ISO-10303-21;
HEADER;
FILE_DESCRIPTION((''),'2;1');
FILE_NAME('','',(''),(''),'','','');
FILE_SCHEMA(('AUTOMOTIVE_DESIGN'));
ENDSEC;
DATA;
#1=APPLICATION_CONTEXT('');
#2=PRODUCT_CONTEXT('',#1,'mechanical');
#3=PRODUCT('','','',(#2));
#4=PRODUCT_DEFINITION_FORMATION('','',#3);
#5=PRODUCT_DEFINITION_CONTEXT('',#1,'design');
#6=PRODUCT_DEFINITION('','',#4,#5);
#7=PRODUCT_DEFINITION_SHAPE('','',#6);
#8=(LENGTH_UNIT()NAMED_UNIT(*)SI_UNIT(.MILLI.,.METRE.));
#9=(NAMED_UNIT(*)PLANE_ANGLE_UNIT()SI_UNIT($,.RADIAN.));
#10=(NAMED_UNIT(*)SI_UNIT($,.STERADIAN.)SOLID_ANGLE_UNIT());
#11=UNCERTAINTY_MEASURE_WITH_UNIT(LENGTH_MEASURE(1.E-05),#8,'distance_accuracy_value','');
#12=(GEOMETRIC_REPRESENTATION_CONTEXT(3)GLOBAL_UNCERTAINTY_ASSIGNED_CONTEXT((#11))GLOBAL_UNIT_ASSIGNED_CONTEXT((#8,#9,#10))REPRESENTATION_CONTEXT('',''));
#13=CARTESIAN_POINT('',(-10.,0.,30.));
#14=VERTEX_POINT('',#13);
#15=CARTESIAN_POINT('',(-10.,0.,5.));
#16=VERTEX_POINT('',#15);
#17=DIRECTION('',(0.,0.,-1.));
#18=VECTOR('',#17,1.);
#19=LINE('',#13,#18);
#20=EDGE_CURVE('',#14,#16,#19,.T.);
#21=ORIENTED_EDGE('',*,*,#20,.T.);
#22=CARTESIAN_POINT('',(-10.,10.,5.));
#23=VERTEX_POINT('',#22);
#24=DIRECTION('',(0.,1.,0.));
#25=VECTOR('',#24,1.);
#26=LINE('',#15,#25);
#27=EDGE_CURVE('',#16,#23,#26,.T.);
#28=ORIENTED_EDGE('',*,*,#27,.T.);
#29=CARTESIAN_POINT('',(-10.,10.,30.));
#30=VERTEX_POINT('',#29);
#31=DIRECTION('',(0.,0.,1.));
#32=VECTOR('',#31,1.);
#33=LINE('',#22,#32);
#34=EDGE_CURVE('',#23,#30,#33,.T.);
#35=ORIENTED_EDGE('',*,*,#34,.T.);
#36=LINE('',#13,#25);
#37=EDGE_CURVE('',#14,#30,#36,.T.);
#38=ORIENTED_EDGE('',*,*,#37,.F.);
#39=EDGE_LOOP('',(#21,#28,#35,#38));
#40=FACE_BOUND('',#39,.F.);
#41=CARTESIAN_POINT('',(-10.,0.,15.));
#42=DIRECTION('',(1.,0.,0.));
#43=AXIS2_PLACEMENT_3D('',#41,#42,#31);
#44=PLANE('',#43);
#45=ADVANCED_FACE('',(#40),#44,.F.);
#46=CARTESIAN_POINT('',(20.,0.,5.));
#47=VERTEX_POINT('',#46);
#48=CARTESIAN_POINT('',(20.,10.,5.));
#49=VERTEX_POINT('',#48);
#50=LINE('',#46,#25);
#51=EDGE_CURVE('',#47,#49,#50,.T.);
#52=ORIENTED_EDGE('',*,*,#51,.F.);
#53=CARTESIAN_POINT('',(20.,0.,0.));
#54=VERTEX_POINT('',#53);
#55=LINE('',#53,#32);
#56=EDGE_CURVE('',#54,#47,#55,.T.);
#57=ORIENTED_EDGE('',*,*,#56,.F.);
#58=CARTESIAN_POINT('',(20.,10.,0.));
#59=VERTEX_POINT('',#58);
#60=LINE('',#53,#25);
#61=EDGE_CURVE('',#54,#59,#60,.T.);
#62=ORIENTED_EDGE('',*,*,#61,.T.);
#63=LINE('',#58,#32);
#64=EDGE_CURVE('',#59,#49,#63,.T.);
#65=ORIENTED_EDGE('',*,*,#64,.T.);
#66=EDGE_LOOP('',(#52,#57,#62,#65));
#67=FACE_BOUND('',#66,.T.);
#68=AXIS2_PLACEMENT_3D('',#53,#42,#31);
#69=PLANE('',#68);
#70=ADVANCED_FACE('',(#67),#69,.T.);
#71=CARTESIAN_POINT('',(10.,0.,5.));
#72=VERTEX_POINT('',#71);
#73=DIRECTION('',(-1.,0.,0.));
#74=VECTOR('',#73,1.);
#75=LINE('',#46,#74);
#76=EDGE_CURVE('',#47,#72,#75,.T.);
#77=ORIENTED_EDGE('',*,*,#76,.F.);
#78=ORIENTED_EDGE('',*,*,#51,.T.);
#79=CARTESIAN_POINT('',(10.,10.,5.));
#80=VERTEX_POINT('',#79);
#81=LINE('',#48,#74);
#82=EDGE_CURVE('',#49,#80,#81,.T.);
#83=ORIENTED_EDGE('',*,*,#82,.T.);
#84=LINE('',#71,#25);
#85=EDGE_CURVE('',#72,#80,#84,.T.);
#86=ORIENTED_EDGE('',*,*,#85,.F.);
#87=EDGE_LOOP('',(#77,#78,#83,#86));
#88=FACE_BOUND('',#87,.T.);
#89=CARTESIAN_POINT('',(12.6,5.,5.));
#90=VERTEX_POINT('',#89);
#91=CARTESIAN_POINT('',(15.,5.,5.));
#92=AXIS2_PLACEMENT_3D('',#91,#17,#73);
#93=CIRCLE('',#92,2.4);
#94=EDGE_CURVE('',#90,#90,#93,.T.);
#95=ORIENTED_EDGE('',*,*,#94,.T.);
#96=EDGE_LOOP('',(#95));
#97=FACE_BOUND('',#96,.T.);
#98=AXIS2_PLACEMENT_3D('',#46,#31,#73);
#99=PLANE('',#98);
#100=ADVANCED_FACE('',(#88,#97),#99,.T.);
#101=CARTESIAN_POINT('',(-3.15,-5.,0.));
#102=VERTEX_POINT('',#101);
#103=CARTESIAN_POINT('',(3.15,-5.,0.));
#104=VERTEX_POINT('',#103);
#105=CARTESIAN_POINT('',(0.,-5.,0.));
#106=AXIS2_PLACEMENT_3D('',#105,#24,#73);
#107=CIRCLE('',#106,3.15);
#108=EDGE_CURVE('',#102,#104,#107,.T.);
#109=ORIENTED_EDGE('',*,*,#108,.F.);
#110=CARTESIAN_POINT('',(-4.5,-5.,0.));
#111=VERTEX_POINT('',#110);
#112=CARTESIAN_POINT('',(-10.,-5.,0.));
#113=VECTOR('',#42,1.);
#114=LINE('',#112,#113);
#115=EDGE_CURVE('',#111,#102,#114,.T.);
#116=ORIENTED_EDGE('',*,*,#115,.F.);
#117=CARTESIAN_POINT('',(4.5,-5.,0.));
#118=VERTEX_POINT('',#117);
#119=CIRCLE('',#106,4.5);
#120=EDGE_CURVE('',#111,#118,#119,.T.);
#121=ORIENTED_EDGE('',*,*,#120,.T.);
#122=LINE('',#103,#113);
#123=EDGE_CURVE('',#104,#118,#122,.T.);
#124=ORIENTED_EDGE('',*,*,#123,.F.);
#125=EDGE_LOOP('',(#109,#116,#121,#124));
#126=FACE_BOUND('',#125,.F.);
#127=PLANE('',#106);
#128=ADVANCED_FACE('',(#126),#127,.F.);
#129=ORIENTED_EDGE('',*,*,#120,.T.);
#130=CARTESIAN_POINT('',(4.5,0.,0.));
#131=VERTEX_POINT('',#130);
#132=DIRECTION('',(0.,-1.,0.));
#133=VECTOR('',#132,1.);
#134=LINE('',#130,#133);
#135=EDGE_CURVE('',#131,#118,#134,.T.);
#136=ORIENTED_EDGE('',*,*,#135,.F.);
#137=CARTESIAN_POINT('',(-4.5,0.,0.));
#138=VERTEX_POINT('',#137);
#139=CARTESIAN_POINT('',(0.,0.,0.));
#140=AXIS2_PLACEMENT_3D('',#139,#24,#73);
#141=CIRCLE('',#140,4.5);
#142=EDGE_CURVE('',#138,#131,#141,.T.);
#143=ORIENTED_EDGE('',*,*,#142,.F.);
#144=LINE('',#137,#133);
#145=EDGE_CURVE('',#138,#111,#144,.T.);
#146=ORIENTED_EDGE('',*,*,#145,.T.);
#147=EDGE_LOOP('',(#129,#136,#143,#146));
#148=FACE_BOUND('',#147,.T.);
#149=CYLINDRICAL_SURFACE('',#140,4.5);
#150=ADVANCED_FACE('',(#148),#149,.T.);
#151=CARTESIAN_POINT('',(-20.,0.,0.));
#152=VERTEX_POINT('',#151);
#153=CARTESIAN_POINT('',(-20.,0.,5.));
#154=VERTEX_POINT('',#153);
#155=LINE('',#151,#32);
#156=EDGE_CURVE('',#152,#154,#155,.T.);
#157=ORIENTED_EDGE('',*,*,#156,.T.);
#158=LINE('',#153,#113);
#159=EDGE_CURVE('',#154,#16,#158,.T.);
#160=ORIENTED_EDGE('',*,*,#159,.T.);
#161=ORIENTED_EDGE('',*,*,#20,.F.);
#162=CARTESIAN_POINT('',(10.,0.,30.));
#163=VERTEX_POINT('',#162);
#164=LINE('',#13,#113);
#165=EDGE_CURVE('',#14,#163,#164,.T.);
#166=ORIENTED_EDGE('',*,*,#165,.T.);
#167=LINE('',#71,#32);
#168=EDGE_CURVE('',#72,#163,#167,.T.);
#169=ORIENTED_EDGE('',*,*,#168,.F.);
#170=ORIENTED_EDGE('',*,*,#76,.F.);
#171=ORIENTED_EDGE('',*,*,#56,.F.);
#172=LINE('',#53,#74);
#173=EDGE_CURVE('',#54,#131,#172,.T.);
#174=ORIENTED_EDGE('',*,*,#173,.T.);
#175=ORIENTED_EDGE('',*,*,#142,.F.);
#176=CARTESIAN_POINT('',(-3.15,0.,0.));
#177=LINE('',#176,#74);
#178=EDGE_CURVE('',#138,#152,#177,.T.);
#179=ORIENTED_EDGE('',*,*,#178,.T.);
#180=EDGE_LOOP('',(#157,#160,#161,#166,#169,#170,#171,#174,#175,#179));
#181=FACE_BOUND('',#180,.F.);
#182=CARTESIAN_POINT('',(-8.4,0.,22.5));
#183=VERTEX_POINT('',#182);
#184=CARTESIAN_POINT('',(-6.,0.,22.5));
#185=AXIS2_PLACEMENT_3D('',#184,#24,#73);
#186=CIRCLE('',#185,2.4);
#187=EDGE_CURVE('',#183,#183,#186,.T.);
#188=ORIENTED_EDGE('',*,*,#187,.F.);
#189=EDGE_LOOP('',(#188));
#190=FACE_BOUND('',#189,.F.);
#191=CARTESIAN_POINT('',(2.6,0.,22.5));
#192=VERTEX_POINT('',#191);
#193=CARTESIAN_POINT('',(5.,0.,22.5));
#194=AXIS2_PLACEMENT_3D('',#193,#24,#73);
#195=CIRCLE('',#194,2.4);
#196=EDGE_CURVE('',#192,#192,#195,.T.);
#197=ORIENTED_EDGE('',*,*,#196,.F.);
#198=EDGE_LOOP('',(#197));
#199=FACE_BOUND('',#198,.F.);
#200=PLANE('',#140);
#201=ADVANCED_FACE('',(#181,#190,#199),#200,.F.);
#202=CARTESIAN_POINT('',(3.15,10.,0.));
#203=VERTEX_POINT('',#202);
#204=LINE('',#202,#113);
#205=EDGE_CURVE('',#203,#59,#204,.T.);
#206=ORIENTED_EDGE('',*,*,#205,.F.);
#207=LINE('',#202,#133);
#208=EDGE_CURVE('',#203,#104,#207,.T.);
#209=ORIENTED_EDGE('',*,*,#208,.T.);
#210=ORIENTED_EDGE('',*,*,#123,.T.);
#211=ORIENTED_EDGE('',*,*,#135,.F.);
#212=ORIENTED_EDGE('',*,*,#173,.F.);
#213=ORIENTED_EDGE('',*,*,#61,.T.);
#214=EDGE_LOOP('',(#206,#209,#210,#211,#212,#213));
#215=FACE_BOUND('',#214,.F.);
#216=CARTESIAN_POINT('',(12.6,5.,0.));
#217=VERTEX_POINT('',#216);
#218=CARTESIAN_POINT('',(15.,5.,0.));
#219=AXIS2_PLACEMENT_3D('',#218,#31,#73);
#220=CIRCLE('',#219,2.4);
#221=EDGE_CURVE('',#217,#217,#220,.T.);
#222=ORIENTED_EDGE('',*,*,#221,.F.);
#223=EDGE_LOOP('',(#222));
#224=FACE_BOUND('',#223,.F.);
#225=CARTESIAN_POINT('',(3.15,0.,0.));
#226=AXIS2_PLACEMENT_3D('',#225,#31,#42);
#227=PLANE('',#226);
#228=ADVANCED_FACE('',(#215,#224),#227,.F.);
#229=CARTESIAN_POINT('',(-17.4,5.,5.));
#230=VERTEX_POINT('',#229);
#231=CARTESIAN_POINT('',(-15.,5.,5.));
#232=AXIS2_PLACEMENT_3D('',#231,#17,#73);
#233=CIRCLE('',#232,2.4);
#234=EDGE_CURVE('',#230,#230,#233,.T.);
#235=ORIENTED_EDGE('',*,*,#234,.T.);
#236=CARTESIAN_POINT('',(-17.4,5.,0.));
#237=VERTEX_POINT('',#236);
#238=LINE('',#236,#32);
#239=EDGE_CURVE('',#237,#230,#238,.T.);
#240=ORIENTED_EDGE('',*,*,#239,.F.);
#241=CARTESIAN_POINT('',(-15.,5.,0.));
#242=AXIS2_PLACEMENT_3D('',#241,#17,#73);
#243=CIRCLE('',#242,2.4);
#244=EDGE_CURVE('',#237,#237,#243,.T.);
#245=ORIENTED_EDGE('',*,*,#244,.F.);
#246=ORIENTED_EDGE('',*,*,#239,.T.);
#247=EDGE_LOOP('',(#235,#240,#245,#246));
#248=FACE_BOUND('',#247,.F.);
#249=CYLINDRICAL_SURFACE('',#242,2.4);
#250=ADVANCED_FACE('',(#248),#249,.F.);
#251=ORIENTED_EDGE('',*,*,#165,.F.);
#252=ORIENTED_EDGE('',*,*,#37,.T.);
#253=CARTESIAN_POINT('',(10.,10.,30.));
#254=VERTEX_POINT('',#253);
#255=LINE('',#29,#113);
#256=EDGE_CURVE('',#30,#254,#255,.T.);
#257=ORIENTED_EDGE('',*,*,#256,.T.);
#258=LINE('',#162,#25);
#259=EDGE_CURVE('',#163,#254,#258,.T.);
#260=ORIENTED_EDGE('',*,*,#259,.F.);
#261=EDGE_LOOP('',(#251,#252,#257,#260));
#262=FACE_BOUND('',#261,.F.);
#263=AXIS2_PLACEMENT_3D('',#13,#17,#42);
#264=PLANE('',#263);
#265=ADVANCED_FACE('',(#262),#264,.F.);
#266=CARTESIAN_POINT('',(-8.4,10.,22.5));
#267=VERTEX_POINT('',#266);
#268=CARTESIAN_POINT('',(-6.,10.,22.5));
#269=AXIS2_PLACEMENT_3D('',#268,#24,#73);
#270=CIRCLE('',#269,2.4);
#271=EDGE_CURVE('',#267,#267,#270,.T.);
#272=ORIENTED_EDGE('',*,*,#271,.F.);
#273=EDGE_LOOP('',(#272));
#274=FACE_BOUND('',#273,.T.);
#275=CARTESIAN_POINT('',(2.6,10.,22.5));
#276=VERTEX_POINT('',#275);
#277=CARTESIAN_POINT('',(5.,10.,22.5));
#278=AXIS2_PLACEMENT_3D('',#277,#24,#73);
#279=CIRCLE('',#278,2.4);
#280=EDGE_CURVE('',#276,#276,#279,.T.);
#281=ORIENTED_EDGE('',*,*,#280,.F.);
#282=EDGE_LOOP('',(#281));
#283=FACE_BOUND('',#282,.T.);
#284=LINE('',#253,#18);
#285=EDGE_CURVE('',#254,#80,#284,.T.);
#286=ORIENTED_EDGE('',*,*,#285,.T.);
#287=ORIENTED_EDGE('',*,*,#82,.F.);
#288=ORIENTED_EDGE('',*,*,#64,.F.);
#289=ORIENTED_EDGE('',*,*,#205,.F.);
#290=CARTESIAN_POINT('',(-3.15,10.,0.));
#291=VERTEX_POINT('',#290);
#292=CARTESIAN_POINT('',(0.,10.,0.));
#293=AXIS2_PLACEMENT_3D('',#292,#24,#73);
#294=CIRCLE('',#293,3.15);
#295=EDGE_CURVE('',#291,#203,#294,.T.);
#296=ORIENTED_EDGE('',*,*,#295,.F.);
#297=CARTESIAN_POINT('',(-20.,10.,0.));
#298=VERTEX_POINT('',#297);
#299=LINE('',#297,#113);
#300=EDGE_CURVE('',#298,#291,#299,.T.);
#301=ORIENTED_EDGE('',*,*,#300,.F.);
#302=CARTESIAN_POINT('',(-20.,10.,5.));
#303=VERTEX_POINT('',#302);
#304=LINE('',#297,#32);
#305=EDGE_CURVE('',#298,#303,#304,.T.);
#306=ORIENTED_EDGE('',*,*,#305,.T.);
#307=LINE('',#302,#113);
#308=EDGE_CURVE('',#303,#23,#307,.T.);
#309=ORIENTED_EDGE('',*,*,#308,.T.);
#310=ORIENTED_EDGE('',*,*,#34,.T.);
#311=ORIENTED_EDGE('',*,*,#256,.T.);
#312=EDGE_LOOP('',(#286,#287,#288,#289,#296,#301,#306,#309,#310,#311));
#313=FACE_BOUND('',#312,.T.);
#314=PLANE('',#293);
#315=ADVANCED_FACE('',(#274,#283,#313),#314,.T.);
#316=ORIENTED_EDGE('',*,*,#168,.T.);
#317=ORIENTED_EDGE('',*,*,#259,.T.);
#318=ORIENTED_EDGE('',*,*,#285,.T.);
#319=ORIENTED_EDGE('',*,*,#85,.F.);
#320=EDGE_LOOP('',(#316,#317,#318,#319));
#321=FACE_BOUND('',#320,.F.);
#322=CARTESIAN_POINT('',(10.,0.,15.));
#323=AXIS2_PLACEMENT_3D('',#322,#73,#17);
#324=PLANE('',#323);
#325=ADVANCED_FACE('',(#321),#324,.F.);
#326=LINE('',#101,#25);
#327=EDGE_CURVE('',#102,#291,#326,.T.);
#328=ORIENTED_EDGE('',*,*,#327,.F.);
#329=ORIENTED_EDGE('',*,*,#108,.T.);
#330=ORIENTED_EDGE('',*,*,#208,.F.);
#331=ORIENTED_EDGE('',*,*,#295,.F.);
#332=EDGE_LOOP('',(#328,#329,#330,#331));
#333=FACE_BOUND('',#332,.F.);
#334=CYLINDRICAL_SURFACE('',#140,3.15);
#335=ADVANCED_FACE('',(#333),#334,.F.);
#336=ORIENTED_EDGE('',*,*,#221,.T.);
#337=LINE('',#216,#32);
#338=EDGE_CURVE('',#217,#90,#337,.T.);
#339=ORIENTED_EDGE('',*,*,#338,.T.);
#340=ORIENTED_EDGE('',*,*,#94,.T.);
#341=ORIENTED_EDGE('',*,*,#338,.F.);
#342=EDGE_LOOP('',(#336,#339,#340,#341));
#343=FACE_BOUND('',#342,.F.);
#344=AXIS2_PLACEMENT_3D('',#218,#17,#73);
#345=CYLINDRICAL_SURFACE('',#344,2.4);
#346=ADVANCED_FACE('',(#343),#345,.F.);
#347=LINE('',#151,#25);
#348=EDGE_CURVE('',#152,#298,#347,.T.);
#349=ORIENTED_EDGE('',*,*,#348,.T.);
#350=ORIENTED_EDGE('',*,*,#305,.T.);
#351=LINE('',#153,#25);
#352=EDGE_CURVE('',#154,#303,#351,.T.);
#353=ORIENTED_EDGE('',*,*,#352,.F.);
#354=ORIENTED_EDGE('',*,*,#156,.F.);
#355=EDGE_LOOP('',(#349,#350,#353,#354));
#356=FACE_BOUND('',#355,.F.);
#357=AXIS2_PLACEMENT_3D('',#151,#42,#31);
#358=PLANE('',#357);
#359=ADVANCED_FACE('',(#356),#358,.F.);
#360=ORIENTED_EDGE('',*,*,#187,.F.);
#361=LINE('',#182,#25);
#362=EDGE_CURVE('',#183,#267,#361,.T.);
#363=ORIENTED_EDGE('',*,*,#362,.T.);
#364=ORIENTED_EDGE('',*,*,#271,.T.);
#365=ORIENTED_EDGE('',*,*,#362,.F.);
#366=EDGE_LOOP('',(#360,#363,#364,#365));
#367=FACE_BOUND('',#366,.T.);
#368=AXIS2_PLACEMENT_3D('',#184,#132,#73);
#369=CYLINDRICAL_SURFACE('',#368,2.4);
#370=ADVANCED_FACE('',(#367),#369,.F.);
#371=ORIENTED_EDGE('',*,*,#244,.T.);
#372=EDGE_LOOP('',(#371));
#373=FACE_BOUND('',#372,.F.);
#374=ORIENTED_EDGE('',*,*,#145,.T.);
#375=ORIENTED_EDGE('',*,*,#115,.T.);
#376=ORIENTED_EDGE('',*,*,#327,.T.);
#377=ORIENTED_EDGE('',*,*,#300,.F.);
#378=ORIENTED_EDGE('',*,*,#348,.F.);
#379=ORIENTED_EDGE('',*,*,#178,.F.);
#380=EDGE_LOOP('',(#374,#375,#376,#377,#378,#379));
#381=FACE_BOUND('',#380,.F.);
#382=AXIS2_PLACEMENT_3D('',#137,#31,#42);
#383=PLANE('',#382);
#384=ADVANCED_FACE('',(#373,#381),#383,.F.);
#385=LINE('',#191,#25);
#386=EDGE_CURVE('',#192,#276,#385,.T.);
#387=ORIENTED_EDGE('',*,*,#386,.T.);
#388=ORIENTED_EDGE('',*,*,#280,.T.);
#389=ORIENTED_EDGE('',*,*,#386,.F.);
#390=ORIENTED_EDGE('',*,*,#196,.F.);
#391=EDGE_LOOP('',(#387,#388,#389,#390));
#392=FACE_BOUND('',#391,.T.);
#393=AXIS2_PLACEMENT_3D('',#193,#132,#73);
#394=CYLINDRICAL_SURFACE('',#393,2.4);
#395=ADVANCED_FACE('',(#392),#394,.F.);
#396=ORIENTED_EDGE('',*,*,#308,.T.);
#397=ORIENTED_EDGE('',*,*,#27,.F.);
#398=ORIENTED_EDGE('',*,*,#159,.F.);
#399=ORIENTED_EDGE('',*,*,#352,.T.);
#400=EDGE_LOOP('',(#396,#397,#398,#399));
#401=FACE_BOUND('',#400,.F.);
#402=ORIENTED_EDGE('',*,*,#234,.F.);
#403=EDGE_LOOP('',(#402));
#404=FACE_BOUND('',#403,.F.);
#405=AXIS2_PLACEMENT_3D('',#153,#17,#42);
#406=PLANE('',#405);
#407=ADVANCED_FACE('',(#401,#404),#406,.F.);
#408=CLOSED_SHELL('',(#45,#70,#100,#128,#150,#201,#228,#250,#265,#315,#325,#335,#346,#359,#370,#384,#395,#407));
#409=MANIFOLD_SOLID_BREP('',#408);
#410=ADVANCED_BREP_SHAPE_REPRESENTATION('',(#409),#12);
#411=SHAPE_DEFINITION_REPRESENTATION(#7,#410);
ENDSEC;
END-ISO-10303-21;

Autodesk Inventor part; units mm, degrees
ref_plane "YZ Plane" through (0, 0, 0) normal (1, 0, 0) x (0, 1, 0)
ref_plane "XZ Plane" through (0, 0, 0) normal (0, 1, 0) x (-1, 0, 0)
ref_plane "XY Plane" through (0, 0, 0) normal (0, 0, 1) x (1, 0, 0)
sketch "Sketch1" plane through (0, 0, 0) normal (0, 1, 0) x (-1, 0, 0)
  circle A0 centre (0, 0) radius 3.15
  line L0 (10, 5) -> (10, 30)
  line L1 (10, 30) -> (-10, 30)
  line L2 (-10, 30) -> (-10, 5)
  line L3 (10, -5) -> (10, -30)
  line L4 (10, -30) -> (-10, -30)
  line L5 (-10, -30) -> (-10, -5)
  line L6 (-10, 30) -> (-10, 15)
  line L7 (10, 30) -> (10, 15)
  line L8 (10, -30) -> (10, -15)
  line L9 (-10, -15) -> (-10, -30)
  line L10 (2.5151, -1.8965) -> (-2.5151, -1.8965)
  circle A1 centre (0, 0) radius 4.5
  line L11 (10, 0) -> (3.15, 0)
  line L12 (-3.15, 0) -> (-10, 0)
  line L13 (-10, 0) -> (-20, 0)
  line L14 (-20, 0) -> (-20, -5)
  line L15 (-20, -5) -> (-10, -5)
  line L16 (10, 0) -> (20, 0)
  line L17 (20, 0) -> (20, -5)
  line L18 (20, -5) -> (10, -5)
  line L19 (-4.5, 0) -> (-3.15, 0)
  line L20 (3.15, 0) -> (4.5, 0)
  line L21 (20, 0) -> (20, 5)
  line L22 (20, 5) -> (10, 5)
  line L23 (-20, 0) -> (-20, 5)
  line L24 (-20, 5) -> (-10, 5)
  circle A2 centre (-5, 22.5) radius 2.25
  circle A3 centre (6, 22.5) radius 2.25
  circle A4 centre (-6, -22.5) radius 2.25
  circle A5 centre (6, -22.5) radius 2.25
  circle A6 centre (-5, 22.5) radius 2.4
  circle A7 centre (6, 22.5) radius 2.4
  dimension "d0" = 6.3
  dimension "d6" = 15
  dimension "d34" = 9
  dimension "d35" = 10
  dimension "d36" = 5
  dimension "d37" = 10
  dimension "d38" = 5
  dimension "d43" = 5
  dimension "d44" = 5
  dimension "d45" = 4.5
  dimension "d46" = 4.5
  dimension "d47" = 4.5
  dimension "d48" = 4.5
  dimension "d61" = 4.8
  dimension "d62" = 4.8
extrude "Extrusion10" add sketch "Sketch1" along normal blind 10 contours A0 L12 A1 L11 | A1 L12 L13 L23 L24 L2 L1 L0 L22 L21 L16 L11 | A6 | A7 picked at (-4.0064, 0.359)
extrude "Extrusion11" add sketch "Sketch1" against normal blind 5 contours A0 L12 A1 L11 picked at (-4.0064, 0.359)
sketch "Sketch3" plane through (-3.15, 10, 0) normal (0, 0, -1) x (-1, 0, 0)
  line L0 (-23.15, -10) -> (-23.15, -5)
  line L1 (-23.15, -10) -> (-23.15, 0) projected
  line L2 (-23.15, -5) -> (-18.15, -5)
  line L3 (16.85, -10) -> (16.85, -5)
  line L4 (16.85, -10) -> (16.85, 0) projected
  line L5 (16.85, -5) -> (11.85, -5)
  circle A0 centre (-18.15, -5) radius 2.35
  circle A1 centre (11.85, -5) radius 2.35
  circle A2 centre (-18.15, -5) radius 2.4
  circle A3 centre (11.85, -5) radius 2.4
  point P0 (-3.15, -10)
  dimension "d53" = 5
  dimension "d54" = 5
  dimension "d55" = 5
  dimension "d56" = 5
  dimension "d57" = 4.7
  dimension "d58" = 4.7
  dimension "d65" = 4.8
  dimension "d66" = 4.8
extrude "Extrusion13" cut sketch "Sketch1" along normal blind 10 contours A6 | A7
extrude "Extrusion14" cut sketch "Sketch3" against normal blind 10 contours A0 | A2 | A1 | A3
properties part number "clip_to_shaft_holder(2)"
